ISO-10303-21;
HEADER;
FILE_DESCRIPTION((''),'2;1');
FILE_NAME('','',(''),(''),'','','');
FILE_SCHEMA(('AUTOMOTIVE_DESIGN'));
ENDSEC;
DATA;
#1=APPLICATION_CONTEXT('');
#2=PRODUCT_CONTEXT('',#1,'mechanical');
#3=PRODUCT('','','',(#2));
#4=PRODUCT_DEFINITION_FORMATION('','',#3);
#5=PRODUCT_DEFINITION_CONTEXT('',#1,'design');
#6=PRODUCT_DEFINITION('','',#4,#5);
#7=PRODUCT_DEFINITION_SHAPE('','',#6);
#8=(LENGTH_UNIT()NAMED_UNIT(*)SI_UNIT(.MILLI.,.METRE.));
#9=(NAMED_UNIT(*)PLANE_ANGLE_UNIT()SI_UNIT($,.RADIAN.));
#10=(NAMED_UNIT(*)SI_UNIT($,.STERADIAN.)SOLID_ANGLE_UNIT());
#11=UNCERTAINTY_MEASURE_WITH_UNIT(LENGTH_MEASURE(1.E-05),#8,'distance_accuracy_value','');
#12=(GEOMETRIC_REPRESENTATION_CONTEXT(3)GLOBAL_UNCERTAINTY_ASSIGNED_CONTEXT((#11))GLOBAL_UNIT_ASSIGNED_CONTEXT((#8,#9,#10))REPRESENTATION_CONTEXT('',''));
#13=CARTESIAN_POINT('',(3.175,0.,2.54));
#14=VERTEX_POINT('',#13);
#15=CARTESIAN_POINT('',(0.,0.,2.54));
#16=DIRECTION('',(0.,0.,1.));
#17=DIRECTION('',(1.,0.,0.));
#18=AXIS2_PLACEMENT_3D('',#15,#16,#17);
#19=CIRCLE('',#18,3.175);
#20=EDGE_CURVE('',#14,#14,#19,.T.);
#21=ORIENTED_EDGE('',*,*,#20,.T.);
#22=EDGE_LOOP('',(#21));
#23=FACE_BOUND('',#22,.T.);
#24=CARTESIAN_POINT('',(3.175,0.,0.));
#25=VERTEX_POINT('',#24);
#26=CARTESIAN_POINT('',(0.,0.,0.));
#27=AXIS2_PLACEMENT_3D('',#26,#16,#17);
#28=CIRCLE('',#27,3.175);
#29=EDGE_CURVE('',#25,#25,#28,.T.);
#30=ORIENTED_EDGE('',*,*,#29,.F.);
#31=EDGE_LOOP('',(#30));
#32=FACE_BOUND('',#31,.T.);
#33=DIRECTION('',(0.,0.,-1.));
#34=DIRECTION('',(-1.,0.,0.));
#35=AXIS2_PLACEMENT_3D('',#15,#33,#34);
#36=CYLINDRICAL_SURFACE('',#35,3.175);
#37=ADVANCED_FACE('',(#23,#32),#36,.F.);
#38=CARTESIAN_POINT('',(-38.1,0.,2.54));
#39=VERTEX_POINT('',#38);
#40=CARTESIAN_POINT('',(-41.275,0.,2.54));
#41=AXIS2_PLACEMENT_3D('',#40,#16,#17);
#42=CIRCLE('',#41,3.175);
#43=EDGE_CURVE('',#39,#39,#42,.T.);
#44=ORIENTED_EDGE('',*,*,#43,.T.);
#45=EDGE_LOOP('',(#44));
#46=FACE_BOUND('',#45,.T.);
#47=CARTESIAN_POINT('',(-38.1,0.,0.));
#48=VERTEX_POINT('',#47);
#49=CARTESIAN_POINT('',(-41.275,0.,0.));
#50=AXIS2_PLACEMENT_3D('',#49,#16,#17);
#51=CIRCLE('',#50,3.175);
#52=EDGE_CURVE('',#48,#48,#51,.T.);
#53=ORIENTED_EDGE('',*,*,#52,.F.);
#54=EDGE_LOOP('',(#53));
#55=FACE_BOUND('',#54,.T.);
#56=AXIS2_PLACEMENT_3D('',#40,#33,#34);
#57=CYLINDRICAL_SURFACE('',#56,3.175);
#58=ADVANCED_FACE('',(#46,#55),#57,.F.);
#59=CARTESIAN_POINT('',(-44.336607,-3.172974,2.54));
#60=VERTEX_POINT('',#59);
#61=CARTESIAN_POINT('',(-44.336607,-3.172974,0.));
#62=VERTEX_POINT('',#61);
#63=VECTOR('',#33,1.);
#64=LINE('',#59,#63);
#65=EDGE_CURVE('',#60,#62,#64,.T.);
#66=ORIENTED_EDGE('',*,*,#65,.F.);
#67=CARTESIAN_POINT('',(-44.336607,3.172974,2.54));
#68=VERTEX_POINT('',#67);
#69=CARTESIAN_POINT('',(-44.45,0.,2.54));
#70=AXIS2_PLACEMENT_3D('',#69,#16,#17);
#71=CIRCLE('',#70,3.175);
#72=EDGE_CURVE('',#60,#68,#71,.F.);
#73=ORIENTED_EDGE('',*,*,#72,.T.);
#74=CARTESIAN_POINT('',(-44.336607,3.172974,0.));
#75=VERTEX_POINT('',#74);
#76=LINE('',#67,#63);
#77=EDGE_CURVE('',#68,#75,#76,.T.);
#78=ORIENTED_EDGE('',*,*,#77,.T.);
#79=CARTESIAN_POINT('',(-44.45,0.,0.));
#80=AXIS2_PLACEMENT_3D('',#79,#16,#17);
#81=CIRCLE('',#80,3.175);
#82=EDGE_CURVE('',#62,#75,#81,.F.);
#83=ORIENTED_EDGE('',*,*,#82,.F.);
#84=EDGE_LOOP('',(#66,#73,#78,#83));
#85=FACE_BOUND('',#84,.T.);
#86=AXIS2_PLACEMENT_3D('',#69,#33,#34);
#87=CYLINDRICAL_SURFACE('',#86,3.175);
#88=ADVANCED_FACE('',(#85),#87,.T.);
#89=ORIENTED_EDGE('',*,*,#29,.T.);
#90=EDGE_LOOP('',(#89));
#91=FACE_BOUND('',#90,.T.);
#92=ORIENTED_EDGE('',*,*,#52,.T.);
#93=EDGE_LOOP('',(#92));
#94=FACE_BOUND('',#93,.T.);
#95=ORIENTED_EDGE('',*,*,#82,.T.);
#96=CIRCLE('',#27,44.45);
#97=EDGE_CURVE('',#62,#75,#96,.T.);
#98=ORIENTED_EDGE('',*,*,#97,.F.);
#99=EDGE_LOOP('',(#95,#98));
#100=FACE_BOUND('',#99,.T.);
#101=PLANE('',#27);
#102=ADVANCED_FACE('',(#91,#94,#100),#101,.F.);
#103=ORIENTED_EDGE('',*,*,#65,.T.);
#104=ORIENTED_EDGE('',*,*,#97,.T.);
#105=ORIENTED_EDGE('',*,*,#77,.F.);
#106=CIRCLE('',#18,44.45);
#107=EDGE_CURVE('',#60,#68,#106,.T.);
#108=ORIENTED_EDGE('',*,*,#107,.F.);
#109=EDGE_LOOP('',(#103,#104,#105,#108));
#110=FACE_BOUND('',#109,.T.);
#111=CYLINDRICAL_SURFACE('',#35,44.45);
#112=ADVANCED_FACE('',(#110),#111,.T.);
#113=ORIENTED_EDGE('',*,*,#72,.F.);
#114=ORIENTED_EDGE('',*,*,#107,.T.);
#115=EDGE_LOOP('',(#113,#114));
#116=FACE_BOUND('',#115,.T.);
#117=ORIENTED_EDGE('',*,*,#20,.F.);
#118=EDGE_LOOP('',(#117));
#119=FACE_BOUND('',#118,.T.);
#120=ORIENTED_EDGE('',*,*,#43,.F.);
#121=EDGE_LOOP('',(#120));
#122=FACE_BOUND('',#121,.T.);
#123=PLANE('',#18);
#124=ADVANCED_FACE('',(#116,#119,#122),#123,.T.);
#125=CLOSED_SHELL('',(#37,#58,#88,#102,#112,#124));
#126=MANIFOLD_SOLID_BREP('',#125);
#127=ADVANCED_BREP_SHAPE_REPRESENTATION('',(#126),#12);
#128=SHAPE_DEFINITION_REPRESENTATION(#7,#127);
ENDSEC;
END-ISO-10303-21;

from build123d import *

# Parameters (mm, degrees)
SKETCH2_R           = 3.175
BOSS_EXTRUDE2_DEPTH = 2.54


with BuildPart() as part:
    # Sketch2 → Boss-Extrude2 (new body)
    with BuildSketch(Plane.XY):
        with BuildLine():
            ThreePointArc((-44.336607143, -3.172974481), (44.45, 0), (-44.336607143, 3.172974481))
            ThreePointArc((-44.336607143, 3.172974481), (-47.625, 0), (-44.336607143, -3.172974481))
        make_face()
        with Locations((-41.275, 0)):
            Circle(SKETCH2_R, mode=Mode.SUBTRACT)
        Circle(SKETCH2_R, mode=Mode.SUBTRACT)
    extrude(amount=BOSS_EXTRUDE2_DEPTH)


solid = part.part
